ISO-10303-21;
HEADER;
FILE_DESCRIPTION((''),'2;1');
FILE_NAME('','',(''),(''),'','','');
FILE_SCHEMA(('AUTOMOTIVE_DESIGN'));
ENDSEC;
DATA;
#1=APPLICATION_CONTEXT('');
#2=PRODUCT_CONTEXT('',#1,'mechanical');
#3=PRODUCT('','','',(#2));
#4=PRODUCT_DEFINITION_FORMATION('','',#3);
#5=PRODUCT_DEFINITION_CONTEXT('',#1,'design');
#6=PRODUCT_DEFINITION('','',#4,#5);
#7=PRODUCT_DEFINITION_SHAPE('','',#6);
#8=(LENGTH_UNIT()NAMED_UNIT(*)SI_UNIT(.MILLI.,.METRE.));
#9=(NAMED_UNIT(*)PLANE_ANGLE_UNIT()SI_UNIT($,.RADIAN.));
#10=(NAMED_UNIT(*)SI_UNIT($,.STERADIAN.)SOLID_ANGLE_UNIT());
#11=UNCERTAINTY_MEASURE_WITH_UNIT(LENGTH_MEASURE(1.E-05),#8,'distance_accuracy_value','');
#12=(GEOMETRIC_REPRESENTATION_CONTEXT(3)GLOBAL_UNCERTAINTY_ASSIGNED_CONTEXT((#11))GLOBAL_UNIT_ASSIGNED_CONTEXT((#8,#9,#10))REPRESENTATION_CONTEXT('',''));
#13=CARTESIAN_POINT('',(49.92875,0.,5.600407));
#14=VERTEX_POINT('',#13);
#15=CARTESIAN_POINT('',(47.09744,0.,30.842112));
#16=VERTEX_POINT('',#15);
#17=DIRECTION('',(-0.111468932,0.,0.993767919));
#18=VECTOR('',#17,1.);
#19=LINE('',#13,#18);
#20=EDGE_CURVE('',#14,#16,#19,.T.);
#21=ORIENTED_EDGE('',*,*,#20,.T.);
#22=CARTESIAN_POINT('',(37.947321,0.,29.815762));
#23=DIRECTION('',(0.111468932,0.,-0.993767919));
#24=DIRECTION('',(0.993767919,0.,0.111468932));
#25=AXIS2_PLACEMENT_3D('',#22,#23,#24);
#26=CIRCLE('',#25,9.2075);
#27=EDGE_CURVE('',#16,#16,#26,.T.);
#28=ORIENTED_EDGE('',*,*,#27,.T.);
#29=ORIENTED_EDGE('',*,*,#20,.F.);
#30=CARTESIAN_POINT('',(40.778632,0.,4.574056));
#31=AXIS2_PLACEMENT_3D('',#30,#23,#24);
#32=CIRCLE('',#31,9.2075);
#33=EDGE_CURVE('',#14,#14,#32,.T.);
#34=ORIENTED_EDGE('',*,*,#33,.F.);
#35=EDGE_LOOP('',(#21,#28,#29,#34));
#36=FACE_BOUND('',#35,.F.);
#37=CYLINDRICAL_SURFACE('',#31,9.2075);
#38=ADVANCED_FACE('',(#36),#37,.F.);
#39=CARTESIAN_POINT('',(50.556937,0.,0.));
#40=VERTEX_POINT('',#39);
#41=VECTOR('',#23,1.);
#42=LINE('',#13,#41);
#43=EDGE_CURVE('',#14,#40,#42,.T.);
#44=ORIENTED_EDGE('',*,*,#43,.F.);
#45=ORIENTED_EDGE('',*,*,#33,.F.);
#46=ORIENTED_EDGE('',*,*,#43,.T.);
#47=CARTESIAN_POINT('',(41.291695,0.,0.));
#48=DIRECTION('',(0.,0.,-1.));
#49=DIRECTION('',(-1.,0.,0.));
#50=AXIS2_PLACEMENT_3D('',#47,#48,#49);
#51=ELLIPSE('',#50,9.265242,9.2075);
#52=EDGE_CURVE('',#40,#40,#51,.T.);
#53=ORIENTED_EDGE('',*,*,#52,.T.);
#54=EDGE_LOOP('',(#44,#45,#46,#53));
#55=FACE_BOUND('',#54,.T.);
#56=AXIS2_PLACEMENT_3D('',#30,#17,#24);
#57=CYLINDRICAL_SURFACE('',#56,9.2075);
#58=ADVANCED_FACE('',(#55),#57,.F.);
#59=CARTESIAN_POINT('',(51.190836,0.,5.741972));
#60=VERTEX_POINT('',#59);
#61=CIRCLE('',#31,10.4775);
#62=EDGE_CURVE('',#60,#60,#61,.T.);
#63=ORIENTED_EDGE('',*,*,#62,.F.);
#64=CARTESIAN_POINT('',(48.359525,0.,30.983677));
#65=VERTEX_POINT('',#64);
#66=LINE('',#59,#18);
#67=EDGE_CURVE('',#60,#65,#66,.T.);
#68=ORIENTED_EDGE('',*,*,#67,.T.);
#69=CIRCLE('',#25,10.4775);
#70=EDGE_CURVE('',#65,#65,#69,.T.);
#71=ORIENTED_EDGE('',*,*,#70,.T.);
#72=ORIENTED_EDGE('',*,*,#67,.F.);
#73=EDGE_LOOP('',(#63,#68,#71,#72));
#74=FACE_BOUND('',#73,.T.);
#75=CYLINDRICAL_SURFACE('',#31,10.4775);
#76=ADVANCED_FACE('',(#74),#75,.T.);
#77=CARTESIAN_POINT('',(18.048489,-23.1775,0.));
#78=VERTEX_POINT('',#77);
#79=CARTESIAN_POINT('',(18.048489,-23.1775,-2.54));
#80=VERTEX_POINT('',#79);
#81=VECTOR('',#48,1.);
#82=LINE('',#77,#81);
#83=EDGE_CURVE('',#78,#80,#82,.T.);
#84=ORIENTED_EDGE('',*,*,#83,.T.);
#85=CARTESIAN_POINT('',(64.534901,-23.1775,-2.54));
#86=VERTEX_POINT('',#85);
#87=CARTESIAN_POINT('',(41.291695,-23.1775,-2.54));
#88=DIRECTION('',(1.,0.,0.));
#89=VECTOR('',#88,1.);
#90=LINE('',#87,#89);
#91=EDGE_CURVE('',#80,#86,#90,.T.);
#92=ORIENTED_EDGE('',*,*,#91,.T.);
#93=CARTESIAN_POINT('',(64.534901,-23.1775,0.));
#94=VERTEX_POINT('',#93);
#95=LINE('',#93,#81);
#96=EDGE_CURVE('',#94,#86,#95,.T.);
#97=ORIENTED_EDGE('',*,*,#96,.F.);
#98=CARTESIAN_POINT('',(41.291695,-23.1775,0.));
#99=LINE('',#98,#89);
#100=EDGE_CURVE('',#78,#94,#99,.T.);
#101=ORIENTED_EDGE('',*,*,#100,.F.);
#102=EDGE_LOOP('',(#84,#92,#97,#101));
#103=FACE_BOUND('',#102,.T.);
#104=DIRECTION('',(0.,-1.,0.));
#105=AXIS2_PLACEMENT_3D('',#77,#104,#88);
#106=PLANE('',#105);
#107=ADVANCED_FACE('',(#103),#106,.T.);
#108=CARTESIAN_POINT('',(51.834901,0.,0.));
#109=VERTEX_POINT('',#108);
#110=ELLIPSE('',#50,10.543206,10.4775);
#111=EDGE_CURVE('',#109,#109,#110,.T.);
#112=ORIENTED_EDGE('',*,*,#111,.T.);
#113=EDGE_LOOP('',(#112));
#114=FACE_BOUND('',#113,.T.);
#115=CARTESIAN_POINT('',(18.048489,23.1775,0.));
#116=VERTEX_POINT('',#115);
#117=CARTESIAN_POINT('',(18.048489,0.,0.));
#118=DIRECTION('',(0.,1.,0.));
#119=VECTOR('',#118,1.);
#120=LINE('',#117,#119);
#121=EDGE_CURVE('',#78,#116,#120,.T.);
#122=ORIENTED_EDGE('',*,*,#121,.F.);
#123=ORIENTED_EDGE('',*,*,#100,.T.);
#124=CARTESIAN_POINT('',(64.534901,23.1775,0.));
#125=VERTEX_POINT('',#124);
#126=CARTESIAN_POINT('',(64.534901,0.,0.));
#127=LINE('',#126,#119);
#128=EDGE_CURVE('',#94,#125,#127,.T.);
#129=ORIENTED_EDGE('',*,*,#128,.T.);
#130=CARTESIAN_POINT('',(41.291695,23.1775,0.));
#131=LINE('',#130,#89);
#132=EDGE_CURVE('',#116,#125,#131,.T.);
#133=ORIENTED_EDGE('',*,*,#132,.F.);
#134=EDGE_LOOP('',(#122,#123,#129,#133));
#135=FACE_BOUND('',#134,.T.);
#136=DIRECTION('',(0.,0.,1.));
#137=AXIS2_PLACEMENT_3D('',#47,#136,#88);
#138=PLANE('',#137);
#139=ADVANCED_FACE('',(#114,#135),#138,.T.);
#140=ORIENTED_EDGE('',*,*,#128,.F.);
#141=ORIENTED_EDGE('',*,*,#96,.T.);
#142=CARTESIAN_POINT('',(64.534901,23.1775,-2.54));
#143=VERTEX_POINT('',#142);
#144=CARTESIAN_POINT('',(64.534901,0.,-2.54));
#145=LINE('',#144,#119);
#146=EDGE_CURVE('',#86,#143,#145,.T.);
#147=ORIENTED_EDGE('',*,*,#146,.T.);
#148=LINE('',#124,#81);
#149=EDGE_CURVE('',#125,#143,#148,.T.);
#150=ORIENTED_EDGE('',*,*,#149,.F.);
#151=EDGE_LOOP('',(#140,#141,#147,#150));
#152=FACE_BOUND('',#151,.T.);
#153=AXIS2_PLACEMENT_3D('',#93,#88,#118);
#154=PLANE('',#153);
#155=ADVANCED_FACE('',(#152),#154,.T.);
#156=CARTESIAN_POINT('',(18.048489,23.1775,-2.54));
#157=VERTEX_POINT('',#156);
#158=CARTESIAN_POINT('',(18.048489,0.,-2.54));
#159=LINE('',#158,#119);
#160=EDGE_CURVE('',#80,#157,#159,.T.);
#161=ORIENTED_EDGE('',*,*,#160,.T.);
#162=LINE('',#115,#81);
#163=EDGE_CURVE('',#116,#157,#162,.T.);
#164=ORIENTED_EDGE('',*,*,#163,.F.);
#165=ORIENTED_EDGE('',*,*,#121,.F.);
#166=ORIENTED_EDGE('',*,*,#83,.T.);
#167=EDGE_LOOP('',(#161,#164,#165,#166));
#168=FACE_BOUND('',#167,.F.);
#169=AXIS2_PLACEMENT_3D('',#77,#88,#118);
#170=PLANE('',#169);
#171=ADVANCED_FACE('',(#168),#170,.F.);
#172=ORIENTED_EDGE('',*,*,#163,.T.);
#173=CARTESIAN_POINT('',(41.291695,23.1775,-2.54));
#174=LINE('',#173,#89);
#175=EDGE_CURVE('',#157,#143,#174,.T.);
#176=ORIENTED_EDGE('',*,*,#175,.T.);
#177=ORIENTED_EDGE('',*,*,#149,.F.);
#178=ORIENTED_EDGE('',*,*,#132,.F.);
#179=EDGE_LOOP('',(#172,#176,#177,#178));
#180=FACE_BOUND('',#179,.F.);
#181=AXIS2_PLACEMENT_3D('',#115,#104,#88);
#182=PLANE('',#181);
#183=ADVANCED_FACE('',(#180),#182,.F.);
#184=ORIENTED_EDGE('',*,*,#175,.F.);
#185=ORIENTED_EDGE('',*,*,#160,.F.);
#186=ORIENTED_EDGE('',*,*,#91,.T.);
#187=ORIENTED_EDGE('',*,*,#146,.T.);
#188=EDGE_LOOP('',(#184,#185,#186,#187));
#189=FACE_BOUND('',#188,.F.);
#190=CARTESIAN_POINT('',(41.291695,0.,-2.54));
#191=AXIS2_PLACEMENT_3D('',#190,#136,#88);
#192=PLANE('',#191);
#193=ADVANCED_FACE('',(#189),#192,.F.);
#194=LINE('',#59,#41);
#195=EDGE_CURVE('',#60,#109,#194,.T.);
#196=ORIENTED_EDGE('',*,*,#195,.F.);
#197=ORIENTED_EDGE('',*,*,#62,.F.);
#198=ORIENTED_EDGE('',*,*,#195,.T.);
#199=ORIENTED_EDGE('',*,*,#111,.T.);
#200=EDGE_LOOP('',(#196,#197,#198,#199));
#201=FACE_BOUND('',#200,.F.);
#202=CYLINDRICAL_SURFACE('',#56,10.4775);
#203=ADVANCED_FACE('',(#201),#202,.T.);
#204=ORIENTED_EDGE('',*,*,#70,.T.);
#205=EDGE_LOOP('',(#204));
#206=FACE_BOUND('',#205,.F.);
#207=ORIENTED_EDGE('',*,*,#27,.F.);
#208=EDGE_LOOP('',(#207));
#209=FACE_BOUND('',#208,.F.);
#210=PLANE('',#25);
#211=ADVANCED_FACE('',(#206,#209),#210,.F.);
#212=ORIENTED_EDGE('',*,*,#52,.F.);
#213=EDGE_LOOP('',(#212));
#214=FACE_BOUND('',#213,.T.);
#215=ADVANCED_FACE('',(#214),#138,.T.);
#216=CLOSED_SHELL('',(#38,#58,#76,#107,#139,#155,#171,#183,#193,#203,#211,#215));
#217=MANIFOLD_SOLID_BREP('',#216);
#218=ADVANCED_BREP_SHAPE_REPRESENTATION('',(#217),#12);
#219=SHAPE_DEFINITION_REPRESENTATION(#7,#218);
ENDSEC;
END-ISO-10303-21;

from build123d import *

# Parameters (mm, degrees)
F2_R     = 10.4775
F2_R_2   = 9.2075
F3_DEPTH = 25.4
F4_DEPTH = 25.4
F5_W     = 41.00275971
F5_H     = 25.6858672947
F6_DEPTH = 127
F7_W     = 46.4864122256
F7_H     = 46.355
F8_DEPTH = 2.54


with BuildPart() as f3:
    # F2 (on line) → F3 (new body)
    with BuildSketch(Plane(origin=(0, 0, 0), x_dir=(0.9937679192, 0, 0.1114689322), z_dir=(0.1114689322, 0, -0.9937679192))):
        with Locations((41.0343617785, 0)):
            Circle(F2_R)
        with Locations((41.0343617785, 0)):
            Circle(F2_R_2, mode=Mode.SUBTRACT)
    extrude(amount=-F3_DEPTH)

    # F4 (add): a face of the model
    f4_faces = [f3.faces().sort_by_distance(p)[0] for p in [
        (30.6609305302, 0, 3.4391743995),
    ]]
    extrude(f4_faces, amount=F4_DEPTH)

    # F5 (on Front) → F6 (cut, symmetric)
    with BuildSketch(Plane.XZ):
        with Locations((39.3967321143, -12.8429336473)):
            Rectangle(F5_W, F5_H)
    extrude(amount=F6_DEPTH, both=True, mode=Mode.SUBTRACT)

    # F7 (on Top) → F8 (join)
    with BuildSketch(Plane.XY):
        with Locations((41.2916949595, 0)):
            Rectangle(F7_W, F7_H)
    extrude(amount=-F8_DEPTH)


solid = f3.part
